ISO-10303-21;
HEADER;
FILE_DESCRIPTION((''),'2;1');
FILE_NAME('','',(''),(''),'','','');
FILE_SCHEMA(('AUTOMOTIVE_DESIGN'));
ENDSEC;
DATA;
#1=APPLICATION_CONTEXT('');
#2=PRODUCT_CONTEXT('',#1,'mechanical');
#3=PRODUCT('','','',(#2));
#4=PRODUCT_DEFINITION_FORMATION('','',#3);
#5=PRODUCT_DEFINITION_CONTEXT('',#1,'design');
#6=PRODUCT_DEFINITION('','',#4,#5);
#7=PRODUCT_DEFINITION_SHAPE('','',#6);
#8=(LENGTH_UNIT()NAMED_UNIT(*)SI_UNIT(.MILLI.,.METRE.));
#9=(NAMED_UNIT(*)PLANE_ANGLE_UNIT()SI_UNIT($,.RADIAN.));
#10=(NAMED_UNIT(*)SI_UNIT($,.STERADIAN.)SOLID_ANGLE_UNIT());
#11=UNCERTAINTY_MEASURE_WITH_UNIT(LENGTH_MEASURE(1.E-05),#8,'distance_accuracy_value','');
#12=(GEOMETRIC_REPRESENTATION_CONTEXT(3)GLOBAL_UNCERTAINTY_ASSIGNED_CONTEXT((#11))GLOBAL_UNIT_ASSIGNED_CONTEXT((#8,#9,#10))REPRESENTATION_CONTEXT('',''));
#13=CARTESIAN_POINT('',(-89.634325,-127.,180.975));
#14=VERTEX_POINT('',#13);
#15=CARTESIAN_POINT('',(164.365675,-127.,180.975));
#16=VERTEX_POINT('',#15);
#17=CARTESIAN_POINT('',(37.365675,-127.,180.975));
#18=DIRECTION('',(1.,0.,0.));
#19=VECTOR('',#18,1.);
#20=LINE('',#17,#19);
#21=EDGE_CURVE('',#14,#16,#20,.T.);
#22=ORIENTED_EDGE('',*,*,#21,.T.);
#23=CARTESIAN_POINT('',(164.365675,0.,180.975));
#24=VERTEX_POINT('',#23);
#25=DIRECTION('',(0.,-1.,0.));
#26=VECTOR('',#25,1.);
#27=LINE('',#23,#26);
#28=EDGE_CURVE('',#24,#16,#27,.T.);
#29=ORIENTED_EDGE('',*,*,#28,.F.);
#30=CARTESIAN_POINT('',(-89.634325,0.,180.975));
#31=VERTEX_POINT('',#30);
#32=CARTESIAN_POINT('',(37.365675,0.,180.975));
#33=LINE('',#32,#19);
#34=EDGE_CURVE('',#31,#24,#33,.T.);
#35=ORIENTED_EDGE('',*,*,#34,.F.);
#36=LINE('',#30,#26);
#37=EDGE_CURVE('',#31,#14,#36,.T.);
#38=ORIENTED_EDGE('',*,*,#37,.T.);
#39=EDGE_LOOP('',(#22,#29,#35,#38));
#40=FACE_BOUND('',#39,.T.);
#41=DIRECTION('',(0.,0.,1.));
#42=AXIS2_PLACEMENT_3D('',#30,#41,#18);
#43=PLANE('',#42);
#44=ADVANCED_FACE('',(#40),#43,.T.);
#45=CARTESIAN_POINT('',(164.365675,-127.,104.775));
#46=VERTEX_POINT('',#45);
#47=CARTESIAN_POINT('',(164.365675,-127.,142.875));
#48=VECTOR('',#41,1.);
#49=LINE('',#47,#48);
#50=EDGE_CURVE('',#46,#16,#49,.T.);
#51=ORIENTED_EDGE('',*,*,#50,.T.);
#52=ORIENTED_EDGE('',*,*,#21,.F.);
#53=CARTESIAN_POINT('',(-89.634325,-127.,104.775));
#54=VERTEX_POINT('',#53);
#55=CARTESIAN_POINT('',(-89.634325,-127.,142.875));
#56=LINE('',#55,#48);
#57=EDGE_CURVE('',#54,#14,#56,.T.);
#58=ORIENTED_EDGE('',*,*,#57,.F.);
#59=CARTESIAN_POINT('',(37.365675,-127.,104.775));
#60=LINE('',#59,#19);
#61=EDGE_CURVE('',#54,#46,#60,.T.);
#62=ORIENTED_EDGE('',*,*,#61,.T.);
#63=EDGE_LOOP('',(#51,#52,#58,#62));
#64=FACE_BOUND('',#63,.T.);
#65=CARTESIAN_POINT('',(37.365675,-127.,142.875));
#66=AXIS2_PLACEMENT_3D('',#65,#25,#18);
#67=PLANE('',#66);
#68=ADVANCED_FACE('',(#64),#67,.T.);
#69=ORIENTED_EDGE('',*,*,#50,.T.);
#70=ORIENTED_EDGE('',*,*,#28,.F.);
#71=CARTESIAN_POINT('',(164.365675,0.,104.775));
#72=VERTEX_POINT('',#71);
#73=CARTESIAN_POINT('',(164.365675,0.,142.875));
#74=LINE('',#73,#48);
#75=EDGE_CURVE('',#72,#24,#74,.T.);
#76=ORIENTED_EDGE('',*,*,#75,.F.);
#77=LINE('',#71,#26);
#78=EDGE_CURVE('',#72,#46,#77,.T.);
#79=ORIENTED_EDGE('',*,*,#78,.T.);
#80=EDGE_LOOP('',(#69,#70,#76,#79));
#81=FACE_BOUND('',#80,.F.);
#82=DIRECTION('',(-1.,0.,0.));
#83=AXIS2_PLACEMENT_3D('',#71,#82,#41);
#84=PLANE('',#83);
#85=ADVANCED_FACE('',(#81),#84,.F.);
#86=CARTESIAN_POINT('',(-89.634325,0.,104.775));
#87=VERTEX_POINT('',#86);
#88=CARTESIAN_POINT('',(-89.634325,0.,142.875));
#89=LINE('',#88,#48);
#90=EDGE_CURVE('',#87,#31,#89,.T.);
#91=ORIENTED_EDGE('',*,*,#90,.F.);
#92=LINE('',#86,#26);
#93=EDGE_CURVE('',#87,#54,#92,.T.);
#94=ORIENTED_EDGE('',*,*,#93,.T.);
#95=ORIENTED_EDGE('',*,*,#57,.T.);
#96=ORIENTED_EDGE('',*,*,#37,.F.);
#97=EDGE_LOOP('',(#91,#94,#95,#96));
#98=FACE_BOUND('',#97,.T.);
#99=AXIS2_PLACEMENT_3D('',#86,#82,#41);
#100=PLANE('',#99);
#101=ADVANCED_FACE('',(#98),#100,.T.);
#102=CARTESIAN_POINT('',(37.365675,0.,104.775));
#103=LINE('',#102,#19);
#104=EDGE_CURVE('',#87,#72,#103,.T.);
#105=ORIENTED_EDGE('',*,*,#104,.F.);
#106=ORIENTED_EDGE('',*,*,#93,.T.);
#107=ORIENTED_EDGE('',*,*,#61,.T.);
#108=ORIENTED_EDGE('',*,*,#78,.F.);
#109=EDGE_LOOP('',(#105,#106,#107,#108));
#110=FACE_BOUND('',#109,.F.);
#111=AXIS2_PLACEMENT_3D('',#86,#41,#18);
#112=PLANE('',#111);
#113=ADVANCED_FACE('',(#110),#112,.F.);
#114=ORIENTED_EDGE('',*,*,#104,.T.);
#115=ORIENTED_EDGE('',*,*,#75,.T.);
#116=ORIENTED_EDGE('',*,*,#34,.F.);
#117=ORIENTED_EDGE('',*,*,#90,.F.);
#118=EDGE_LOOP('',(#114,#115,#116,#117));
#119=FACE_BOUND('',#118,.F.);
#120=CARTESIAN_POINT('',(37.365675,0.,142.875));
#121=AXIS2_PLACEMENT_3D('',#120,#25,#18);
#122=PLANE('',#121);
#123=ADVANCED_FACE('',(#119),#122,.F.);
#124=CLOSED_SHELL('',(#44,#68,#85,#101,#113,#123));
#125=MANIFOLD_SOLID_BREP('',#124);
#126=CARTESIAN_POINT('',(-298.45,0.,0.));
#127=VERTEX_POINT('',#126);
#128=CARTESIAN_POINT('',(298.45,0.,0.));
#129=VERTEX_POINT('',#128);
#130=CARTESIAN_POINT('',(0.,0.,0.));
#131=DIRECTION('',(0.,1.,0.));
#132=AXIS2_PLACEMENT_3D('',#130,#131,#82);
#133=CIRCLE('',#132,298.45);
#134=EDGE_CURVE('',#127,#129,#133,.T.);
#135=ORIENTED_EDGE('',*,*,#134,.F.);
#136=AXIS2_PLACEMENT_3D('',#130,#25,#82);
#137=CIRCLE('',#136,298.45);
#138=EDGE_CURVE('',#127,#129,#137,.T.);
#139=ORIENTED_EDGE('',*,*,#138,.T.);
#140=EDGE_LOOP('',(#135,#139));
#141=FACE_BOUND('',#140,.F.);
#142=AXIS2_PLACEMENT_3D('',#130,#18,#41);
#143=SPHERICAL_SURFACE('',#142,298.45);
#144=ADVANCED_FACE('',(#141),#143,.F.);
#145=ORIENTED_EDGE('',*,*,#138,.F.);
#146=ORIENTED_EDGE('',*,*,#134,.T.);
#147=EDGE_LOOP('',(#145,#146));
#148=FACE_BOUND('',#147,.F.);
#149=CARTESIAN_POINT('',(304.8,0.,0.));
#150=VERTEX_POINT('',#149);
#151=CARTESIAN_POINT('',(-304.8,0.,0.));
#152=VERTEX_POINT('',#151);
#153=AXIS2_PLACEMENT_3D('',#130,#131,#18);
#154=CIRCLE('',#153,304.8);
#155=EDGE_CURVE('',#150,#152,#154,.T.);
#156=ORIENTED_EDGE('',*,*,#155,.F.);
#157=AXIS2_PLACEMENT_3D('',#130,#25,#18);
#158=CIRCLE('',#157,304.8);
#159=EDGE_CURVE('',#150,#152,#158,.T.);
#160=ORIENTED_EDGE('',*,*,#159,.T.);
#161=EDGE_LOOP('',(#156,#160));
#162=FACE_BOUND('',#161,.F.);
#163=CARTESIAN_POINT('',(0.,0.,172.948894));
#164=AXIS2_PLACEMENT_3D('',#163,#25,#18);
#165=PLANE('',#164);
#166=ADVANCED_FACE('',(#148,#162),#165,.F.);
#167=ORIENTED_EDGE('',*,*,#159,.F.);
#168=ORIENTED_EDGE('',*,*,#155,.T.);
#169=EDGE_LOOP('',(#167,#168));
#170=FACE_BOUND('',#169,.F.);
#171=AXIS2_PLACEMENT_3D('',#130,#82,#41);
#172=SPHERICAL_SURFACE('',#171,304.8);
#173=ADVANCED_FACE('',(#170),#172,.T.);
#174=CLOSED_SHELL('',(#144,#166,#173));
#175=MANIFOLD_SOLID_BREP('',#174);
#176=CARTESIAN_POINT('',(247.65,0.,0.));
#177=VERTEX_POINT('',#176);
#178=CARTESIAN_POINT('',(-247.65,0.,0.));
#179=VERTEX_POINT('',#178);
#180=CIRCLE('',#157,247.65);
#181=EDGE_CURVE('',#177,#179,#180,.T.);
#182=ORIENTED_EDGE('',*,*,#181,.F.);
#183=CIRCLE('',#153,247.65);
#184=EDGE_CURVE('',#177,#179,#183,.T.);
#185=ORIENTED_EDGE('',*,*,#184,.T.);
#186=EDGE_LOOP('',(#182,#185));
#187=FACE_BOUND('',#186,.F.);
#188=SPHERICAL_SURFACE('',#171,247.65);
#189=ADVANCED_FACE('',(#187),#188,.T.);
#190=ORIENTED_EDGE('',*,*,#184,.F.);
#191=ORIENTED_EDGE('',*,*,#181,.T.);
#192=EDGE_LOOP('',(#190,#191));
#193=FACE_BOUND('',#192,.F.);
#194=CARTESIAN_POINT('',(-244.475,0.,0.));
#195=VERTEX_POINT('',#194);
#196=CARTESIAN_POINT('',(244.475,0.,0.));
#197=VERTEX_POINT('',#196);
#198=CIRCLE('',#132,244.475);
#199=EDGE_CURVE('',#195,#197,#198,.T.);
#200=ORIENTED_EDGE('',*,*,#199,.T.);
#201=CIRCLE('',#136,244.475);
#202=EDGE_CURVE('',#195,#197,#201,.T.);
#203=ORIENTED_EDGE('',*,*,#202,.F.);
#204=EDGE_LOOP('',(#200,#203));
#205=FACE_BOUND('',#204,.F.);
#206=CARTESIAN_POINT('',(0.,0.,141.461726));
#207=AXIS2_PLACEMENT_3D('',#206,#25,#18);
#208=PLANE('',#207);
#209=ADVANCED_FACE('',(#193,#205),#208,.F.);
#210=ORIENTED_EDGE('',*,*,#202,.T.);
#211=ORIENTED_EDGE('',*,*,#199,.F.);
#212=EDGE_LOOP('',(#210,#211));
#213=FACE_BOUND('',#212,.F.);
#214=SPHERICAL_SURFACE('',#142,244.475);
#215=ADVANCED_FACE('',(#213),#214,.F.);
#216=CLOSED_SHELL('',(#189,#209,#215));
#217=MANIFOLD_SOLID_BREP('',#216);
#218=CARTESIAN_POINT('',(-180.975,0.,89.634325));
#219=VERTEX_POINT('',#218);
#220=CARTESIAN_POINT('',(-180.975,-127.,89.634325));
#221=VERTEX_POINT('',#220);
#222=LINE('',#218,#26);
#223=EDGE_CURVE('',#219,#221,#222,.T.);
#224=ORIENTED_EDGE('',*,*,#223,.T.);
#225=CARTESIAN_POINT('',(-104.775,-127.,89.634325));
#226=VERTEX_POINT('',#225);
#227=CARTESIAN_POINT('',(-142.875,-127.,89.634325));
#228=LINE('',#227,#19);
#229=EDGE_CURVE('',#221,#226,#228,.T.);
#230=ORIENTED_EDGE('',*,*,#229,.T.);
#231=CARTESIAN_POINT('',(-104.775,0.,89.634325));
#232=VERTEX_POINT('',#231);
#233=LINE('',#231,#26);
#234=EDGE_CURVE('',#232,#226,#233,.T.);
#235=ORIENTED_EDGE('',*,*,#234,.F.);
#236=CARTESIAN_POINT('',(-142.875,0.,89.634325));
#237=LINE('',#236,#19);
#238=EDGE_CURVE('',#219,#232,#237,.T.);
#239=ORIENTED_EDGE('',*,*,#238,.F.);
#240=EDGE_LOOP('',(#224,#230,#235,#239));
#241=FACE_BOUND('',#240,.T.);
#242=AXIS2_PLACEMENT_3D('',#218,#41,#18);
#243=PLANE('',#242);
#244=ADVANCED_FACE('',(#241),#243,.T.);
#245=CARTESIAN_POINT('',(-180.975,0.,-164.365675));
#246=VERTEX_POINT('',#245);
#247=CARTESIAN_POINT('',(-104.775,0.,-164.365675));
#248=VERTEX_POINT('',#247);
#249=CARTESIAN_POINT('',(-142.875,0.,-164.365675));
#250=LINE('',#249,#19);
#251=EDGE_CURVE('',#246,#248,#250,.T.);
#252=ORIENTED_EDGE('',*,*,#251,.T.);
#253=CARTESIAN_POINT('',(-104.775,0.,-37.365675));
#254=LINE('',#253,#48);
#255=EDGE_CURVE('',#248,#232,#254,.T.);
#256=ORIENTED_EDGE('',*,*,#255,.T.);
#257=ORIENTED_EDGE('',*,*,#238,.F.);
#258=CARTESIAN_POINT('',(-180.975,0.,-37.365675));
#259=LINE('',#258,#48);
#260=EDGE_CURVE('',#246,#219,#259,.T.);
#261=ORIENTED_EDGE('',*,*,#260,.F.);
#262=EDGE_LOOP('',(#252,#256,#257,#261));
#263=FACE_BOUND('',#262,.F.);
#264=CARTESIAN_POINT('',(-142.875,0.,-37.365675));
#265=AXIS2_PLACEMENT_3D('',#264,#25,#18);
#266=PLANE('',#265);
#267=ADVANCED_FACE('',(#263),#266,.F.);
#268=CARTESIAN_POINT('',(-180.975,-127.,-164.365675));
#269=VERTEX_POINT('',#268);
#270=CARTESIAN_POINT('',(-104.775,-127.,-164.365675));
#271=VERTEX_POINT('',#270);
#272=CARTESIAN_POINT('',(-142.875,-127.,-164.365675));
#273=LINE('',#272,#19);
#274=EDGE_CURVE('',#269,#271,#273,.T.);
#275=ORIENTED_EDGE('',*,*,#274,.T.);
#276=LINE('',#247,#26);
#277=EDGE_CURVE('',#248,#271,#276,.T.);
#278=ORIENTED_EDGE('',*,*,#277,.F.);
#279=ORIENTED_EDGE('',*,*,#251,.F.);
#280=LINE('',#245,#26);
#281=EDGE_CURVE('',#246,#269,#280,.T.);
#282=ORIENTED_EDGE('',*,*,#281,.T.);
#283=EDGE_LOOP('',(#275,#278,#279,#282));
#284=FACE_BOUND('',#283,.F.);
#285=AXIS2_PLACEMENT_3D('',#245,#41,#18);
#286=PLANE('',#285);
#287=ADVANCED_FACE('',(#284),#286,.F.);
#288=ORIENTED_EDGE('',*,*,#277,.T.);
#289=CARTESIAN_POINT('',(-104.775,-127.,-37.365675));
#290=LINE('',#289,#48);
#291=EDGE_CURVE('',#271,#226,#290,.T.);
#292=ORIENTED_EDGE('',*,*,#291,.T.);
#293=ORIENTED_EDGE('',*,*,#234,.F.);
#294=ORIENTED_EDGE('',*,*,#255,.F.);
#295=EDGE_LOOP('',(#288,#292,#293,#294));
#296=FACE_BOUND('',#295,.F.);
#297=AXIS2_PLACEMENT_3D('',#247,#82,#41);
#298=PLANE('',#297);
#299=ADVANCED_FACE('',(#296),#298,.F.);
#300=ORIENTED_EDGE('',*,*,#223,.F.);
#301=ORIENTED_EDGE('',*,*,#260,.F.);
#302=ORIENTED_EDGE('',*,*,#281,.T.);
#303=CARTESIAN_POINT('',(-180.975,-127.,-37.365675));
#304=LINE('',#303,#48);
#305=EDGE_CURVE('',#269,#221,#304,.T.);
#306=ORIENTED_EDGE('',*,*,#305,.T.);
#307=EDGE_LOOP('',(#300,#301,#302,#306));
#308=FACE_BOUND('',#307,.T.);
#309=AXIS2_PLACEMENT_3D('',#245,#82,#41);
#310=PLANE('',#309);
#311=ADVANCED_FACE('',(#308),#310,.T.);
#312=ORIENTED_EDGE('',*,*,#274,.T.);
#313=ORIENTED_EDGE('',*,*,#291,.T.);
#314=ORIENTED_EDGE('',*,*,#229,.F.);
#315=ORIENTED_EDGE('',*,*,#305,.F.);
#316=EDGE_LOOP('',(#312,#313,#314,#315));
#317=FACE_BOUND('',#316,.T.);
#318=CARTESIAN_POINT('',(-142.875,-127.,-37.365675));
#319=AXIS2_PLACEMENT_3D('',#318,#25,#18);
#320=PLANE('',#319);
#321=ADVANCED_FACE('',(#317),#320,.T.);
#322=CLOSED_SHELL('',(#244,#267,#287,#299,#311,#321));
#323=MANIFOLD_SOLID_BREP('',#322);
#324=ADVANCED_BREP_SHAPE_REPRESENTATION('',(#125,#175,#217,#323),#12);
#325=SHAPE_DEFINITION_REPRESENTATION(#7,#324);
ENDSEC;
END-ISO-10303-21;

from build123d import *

# Parameters (mm, degrees)
F1_ANGLE = 180
F3_ANGLE = -180
F4_W     = 76.2
F4_H     = 254
F4_W_2   = 254
F4_H_2   = 76.2
F5_DEPTH = 127


with BuildPart() as f1:
    # F0 (on Front) → F1 (revolve)
    with BuildSketch(Plane.XZ):
        with BuildLine():
            Line((298.45, 0), (304.8, 0))
            ThreePointArc((304.8, 0), (0, 304.8), (-304.8, 0))
            Line((-304.8, 0), (-298.45, 0))
            ThreePointArc((-298.45, 0), (0, 298.45), (298.45, 0))
        make_face()
    revolve(axis=Axis((0, 0, 0), (1, 0, 0)), revolution_arc=F1_ANGLE)


with BuildPart() as f3:
    # F2 (on Front) → F3 (revolve)
    with BuildSketch(Plane.XZ):
        with BuildLine():
            Line((244.475, 0), (247.65, 0))
            ThreePointArc((247.65, 0), (0, 247.65), (-247.65, 0))
            Line((-247.65, 0), (-244.475, 0))
            ThreePointArc((-244.475, 0), (0, 244.475), (244.475, 0))
        make_face()
    revolve(axis=Axis((0, 0, 0), (-1, 0, 0)), revolution_arc=F3_ANGLE)


with BuildPart() as f5:
    # F4 (on Front) → F5 (new body)
    with BuildSketch(Plane.XZ):
        with Locations((-142.875, -37.365675)):
            Rectangle(F4_W, F4_H)
        with Locations((37.365675, 142.875)):
            Rectangle(F4_W_2, F4_H_2)
    extrude(amount=F5_DEPTH)


solid = Compound([f1.part, f3.part, f5.part])
